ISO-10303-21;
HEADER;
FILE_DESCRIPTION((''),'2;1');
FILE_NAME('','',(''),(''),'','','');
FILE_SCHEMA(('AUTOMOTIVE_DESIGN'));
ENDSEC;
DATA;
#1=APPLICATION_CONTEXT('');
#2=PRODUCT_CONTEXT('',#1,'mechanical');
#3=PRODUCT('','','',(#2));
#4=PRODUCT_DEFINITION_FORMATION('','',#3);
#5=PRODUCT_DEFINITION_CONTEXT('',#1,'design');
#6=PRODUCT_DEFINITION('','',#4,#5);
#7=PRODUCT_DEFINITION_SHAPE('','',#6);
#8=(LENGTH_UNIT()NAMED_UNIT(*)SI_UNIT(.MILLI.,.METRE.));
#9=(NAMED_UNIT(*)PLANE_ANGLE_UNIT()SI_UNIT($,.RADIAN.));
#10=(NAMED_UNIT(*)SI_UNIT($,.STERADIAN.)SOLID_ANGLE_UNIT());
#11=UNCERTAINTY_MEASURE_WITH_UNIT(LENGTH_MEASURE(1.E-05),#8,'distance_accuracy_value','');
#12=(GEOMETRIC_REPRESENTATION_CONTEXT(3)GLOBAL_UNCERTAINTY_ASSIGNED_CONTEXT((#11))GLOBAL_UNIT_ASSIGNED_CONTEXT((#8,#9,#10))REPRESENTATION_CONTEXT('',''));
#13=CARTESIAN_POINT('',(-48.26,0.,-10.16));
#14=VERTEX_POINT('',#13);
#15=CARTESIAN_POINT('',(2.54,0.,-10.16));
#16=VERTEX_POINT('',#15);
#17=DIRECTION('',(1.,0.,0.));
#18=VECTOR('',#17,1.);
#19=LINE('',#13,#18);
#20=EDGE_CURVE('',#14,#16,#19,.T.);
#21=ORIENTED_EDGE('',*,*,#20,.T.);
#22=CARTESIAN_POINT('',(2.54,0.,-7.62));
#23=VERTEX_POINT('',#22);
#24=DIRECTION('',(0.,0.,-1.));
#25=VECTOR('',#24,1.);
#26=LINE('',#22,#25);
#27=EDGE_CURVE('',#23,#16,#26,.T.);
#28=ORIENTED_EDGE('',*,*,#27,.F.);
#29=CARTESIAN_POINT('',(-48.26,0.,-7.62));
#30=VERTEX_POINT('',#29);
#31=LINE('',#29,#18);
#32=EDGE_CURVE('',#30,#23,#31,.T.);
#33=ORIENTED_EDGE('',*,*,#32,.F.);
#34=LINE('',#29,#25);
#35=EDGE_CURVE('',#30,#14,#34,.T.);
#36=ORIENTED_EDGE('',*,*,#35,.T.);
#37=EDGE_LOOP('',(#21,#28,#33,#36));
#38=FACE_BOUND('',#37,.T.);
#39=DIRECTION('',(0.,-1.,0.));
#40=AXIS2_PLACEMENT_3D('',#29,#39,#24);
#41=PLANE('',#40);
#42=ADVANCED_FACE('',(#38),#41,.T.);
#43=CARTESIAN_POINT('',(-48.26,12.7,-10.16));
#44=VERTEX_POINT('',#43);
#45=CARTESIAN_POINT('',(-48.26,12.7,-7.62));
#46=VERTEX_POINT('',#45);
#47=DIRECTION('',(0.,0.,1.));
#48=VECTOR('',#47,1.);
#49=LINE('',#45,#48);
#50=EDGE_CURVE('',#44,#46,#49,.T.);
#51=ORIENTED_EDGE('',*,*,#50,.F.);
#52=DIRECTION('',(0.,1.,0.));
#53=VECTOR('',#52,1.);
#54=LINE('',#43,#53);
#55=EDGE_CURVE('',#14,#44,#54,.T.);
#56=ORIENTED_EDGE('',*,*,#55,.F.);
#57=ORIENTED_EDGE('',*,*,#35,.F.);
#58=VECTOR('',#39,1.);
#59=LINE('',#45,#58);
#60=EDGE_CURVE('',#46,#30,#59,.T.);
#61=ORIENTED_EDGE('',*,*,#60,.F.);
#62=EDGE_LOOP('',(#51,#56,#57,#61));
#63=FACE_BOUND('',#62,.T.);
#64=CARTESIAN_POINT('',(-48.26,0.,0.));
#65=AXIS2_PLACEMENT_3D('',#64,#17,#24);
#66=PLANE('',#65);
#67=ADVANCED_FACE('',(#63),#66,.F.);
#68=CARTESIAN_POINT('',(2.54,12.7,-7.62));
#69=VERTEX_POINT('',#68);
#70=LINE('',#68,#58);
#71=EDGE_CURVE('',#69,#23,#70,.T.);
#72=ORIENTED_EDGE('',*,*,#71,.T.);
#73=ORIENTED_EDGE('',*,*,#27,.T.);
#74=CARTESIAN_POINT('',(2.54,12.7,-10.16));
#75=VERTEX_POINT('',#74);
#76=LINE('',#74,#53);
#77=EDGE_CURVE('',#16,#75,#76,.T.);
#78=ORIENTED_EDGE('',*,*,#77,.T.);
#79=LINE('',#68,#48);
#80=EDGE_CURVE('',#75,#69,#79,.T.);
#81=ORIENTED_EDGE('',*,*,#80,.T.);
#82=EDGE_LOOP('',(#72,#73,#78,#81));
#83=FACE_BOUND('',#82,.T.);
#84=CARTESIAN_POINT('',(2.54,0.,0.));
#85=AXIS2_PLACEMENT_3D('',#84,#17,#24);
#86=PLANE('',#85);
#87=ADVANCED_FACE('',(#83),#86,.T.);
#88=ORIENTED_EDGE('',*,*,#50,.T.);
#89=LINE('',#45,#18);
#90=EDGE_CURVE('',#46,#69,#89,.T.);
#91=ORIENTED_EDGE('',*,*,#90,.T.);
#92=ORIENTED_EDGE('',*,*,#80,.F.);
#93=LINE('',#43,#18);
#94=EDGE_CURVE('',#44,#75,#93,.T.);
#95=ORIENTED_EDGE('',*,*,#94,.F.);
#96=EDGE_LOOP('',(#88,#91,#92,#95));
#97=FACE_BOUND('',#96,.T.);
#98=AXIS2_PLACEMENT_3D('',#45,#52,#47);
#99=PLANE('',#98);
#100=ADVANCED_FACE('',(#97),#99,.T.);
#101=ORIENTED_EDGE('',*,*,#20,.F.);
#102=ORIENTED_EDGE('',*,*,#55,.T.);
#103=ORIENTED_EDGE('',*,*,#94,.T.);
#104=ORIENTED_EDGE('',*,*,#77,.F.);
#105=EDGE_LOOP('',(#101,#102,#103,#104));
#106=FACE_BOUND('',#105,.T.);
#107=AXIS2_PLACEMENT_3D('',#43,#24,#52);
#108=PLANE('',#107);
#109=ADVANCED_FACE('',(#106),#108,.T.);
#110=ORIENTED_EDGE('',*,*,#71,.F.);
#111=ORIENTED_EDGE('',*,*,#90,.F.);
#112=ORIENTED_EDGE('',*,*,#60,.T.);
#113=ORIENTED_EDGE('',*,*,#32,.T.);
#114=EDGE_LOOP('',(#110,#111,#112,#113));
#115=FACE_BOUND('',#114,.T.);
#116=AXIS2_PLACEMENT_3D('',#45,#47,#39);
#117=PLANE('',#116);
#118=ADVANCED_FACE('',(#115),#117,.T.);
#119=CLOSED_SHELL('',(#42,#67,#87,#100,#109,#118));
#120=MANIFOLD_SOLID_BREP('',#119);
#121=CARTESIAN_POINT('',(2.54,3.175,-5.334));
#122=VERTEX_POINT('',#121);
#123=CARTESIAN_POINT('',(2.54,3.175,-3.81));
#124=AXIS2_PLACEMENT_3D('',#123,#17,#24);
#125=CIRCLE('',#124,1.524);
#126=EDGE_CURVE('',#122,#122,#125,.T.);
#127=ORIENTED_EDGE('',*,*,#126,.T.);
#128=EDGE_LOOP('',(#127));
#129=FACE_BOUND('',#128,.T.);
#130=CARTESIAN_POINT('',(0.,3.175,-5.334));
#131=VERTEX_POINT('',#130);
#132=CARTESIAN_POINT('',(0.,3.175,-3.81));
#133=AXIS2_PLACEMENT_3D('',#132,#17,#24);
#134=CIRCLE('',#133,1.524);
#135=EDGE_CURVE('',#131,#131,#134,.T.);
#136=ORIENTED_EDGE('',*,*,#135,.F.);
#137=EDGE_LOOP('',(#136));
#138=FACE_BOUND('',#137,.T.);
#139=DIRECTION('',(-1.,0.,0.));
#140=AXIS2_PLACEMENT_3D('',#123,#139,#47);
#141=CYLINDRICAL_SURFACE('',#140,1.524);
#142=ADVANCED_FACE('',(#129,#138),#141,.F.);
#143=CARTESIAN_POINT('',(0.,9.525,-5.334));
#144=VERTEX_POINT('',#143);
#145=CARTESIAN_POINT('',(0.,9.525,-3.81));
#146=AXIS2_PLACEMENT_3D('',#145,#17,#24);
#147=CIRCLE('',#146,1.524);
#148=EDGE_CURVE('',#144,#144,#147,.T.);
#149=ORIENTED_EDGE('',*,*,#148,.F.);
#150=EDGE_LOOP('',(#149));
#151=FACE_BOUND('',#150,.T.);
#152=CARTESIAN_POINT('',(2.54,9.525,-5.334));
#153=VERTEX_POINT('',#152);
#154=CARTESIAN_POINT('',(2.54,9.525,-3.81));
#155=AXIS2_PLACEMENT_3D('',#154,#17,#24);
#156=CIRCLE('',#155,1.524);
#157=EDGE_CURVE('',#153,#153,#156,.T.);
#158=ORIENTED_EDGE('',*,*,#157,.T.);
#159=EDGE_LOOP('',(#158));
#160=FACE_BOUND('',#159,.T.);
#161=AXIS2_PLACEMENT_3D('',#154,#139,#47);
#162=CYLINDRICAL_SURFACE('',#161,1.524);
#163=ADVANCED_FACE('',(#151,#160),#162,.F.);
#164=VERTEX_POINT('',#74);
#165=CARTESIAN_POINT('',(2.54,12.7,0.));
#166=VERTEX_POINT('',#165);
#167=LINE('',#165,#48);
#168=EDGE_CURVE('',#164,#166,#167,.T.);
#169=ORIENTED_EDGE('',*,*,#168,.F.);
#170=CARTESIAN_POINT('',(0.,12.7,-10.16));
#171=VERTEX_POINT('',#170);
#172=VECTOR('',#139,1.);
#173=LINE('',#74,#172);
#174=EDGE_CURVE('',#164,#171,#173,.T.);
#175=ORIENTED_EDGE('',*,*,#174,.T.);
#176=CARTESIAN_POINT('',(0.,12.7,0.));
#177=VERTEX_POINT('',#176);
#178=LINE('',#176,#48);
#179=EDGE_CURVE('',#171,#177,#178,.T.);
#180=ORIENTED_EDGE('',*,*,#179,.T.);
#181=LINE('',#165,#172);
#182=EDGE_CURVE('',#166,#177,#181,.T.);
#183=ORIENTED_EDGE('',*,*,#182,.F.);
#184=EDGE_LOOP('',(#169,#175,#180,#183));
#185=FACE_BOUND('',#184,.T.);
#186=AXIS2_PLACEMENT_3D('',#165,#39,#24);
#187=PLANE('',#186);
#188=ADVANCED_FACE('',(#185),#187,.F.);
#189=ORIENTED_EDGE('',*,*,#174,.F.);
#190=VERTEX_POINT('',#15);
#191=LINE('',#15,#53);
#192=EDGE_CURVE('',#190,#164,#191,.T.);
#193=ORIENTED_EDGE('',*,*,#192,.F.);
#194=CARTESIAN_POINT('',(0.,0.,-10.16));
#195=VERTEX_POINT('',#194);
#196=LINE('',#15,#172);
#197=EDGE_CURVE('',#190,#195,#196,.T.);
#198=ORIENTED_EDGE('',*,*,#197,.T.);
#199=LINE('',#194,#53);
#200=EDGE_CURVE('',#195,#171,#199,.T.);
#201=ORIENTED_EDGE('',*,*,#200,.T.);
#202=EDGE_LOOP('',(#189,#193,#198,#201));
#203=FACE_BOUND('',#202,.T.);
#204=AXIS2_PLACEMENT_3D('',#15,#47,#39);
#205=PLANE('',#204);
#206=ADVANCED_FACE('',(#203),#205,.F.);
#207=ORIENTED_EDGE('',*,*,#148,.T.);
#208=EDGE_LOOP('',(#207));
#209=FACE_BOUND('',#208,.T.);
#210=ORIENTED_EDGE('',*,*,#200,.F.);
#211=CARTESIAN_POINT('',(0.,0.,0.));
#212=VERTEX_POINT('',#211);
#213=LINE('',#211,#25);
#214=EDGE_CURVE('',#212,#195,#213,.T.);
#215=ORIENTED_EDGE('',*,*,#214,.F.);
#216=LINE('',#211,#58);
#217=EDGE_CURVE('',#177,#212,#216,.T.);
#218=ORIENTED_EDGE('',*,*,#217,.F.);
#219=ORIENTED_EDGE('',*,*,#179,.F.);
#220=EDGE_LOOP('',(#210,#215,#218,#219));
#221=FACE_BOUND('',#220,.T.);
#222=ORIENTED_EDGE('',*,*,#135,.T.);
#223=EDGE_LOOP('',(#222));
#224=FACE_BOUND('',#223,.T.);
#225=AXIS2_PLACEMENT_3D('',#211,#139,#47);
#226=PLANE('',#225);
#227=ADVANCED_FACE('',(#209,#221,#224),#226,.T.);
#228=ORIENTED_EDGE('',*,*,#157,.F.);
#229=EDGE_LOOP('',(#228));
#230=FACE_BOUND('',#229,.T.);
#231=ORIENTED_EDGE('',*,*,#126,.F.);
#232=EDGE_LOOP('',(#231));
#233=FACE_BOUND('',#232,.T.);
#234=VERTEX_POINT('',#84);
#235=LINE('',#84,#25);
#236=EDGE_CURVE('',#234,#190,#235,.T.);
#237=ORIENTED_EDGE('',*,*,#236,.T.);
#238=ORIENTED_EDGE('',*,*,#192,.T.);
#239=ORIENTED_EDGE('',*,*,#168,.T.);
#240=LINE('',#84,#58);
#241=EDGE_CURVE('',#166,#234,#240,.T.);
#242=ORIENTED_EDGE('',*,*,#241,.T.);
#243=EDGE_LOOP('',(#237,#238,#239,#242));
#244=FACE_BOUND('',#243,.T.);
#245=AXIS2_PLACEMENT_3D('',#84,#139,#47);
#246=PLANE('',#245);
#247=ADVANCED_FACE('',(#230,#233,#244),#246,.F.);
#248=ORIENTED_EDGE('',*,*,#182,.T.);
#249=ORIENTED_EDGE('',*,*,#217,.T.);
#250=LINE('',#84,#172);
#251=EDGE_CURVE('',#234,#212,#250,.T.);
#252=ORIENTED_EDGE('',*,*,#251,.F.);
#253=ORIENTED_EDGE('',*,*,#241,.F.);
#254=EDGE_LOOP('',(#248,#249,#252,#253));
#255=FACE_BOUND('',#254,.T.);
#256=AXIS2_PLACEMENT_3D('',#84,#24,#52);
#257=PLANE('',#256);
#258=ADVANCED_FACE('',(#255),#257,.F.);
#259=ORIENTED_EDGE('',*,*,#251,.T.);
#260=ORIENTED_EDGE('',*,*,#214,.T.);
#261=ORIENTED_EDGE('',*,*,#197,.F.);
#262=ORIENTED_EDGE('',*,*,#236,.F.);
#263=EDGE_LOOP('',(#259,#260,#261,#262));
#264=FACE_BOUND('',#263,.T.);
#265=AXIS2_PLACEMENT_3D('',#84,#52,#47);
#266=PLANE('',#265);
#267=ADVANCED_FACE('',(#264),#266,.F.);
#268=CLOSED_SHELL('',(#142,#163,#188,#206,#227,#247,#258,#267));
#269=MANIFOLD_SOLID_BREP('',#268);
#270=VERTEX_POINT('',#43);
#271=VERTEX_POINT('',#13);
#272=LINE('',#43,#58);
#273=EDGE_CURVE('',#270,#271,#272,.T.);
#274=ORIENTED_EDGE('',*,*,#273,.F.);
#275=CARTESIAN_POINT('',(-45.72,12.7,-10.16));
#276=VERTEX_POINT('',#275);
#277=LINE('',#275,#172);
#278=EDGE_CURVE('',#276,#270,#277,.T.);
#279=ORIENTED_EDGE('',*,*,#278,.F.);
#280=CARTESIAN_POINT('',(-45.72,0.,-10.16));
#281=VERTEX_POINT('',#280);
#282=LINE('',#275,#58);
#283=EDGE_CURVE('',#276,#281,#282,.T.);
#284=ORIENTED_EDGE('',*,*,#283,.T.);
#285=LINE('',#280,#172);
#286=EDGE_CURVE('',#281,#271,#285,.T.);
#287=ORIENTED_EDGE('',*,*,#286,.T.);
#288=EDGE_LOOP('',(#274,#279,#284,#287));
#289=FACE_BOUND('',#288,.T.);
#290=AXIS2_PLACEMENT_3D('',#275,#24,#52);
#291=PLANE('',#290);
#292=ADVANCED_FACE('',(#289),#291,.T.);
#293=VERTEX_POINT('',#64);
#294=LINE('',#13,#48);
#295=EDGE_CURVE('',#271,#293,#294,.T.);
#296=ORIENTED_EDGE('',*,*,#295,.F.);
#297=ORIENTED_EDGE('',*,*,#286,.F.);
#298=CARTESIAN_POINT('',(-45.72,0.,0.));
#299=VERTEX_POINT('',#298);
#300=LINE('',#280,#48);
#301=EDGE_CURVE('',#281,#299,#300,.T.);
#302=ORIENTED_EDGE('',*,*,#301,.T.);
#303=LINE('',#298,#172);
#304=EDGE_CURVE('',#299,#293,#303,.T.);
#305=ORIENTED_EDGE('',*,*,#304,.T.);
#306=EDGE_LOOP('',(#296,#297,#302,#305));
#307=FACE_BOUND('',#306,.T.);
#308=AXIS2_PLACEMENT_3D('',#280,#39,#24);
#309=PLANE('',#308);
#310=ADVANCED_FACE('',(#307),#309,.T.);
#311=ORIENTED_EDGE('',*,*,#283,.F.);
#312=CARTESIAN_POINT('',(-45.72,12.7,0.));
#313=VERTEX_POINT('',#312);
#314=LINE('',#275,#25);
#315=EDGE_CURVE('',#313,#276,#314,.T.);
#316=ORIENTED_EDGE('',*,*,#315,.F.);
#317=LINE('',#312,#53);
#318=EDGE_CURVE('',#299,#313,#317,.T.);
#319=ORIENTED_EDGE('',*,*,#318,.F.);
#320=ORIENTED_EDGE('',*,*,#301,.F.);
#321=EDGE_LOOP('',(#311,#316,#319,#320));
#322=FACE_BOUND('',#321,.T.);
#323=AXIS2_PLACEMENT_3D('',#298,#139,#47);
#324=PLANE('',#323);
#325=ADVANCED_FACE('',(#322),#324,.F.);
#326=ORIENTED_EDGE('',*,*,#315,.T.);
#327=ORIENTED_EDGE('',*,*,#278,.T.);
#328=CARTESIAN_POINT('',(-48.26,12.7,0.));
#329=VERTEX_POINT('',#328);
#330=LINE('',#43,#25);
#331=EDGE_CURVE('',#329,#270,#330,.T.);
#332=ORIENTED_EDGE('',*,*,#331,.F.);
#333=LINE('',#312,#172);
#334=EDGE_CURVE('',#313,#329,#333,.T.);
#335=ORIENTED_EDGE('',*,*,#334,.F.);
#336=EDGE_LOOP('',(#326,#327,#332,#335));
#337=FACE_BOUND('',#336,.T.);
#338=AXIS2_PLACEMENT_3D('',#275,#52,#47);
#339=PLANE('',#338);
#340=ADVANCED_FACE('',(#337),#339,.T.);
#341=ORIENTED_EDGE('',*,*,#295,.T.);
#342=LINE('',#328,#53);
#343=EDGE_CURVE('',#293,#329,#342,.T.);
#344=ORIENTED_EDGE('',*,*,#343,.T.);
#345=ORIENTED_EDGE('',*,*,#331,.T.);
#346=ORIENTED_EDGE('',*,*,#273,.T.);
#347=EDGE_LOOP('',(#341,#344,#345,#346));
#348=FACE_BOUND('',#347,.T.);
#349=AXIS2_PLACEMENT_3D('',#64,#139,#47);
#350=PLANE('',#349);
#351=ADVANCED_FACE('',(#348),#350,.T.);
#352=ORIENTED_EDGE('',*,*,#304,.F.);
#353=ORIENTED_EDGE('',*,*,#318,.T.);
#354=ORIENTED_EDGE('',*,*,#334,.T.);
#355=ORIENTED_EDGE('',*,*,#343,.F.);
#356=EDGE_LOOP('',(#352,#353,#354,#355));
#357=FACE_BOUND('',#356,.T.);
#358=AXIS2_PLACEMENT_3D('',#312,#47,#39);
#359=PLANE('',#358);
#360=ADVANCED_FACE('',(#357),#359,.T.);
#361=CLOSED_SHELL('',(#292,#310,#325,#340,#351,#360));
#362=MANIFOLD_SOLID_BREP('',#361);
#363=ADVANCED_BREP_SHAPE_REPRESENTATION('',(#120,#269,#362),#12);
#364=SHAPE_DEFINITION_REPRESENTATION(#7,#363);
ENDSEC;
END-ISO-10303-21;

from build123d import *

# Parameters (mm, degrees)
SKETCH2_W           = 10.16
SKETCH2_H           = 12.7
SKETCH2_R           = 1.524
BOSS_EXTRUDE2_DEPTH = 2.54
SKETCH3_W           = 2.54
SKETCH3_H           = 12.7
BOSS_EXTRUDE3_DEPTH = 50.8
SKETCH4_W           = 10.16
SKETCH4_H           = 12.7
BOSS_EXTRUDE4_DEPTH = 2.54


with BuildPart() as part:
    # Sketch2 → Boss-Extrude2 (new body)
    with BuildSketch(Plane(origin=(0, 0, 0), x_dir=(0, 0, -1), z_dir=(1, 0, 0))):
        with Locations((5.08, 6.35)):
            Rectangle(SKETCH2_W, SKETCH2_H)
        with Locations((3.81, 9.525)):
            Circle(SKETCH2_R, mode=Mode.SUBTRACT)
        with Locations((3.81, 3.175)):
            Circle(SKETCH2_R, mode=Mode.SUBTRACT)
    extrude(amount=BOSS_EXTRUDE2_DEPTH)


with BuildPart() as body_2:
    # Sketch3 → Boss-Extrude3 (new body)
    with BuildSketch(Plane(origin=(2.54, 0, 0), x_dir=(0, 0, -1), z_dir=(1, 0, 0))):
        with Locations((8.89, 6.35)):
            Rectangle(SKETCH3_W, SKETCH3_H)
    extrude(amount=-BOSS_EXTRUDE3_DEPTH)


with BuildPart() as body_3:
    # Sketch4 → Boss-Extrude4 (new body)
    with BuildSketch(Plane.ZY.offset(48.26)):
        with Locations((-5.08, 6.35)):
            Rectangle(SKETCH4_W, SKETCH4_H)
    extrude(amount=-BOSS_EXTRUDE4_DEPTH)


solid = Compound([part.part, body_2.part, body_3.part])
